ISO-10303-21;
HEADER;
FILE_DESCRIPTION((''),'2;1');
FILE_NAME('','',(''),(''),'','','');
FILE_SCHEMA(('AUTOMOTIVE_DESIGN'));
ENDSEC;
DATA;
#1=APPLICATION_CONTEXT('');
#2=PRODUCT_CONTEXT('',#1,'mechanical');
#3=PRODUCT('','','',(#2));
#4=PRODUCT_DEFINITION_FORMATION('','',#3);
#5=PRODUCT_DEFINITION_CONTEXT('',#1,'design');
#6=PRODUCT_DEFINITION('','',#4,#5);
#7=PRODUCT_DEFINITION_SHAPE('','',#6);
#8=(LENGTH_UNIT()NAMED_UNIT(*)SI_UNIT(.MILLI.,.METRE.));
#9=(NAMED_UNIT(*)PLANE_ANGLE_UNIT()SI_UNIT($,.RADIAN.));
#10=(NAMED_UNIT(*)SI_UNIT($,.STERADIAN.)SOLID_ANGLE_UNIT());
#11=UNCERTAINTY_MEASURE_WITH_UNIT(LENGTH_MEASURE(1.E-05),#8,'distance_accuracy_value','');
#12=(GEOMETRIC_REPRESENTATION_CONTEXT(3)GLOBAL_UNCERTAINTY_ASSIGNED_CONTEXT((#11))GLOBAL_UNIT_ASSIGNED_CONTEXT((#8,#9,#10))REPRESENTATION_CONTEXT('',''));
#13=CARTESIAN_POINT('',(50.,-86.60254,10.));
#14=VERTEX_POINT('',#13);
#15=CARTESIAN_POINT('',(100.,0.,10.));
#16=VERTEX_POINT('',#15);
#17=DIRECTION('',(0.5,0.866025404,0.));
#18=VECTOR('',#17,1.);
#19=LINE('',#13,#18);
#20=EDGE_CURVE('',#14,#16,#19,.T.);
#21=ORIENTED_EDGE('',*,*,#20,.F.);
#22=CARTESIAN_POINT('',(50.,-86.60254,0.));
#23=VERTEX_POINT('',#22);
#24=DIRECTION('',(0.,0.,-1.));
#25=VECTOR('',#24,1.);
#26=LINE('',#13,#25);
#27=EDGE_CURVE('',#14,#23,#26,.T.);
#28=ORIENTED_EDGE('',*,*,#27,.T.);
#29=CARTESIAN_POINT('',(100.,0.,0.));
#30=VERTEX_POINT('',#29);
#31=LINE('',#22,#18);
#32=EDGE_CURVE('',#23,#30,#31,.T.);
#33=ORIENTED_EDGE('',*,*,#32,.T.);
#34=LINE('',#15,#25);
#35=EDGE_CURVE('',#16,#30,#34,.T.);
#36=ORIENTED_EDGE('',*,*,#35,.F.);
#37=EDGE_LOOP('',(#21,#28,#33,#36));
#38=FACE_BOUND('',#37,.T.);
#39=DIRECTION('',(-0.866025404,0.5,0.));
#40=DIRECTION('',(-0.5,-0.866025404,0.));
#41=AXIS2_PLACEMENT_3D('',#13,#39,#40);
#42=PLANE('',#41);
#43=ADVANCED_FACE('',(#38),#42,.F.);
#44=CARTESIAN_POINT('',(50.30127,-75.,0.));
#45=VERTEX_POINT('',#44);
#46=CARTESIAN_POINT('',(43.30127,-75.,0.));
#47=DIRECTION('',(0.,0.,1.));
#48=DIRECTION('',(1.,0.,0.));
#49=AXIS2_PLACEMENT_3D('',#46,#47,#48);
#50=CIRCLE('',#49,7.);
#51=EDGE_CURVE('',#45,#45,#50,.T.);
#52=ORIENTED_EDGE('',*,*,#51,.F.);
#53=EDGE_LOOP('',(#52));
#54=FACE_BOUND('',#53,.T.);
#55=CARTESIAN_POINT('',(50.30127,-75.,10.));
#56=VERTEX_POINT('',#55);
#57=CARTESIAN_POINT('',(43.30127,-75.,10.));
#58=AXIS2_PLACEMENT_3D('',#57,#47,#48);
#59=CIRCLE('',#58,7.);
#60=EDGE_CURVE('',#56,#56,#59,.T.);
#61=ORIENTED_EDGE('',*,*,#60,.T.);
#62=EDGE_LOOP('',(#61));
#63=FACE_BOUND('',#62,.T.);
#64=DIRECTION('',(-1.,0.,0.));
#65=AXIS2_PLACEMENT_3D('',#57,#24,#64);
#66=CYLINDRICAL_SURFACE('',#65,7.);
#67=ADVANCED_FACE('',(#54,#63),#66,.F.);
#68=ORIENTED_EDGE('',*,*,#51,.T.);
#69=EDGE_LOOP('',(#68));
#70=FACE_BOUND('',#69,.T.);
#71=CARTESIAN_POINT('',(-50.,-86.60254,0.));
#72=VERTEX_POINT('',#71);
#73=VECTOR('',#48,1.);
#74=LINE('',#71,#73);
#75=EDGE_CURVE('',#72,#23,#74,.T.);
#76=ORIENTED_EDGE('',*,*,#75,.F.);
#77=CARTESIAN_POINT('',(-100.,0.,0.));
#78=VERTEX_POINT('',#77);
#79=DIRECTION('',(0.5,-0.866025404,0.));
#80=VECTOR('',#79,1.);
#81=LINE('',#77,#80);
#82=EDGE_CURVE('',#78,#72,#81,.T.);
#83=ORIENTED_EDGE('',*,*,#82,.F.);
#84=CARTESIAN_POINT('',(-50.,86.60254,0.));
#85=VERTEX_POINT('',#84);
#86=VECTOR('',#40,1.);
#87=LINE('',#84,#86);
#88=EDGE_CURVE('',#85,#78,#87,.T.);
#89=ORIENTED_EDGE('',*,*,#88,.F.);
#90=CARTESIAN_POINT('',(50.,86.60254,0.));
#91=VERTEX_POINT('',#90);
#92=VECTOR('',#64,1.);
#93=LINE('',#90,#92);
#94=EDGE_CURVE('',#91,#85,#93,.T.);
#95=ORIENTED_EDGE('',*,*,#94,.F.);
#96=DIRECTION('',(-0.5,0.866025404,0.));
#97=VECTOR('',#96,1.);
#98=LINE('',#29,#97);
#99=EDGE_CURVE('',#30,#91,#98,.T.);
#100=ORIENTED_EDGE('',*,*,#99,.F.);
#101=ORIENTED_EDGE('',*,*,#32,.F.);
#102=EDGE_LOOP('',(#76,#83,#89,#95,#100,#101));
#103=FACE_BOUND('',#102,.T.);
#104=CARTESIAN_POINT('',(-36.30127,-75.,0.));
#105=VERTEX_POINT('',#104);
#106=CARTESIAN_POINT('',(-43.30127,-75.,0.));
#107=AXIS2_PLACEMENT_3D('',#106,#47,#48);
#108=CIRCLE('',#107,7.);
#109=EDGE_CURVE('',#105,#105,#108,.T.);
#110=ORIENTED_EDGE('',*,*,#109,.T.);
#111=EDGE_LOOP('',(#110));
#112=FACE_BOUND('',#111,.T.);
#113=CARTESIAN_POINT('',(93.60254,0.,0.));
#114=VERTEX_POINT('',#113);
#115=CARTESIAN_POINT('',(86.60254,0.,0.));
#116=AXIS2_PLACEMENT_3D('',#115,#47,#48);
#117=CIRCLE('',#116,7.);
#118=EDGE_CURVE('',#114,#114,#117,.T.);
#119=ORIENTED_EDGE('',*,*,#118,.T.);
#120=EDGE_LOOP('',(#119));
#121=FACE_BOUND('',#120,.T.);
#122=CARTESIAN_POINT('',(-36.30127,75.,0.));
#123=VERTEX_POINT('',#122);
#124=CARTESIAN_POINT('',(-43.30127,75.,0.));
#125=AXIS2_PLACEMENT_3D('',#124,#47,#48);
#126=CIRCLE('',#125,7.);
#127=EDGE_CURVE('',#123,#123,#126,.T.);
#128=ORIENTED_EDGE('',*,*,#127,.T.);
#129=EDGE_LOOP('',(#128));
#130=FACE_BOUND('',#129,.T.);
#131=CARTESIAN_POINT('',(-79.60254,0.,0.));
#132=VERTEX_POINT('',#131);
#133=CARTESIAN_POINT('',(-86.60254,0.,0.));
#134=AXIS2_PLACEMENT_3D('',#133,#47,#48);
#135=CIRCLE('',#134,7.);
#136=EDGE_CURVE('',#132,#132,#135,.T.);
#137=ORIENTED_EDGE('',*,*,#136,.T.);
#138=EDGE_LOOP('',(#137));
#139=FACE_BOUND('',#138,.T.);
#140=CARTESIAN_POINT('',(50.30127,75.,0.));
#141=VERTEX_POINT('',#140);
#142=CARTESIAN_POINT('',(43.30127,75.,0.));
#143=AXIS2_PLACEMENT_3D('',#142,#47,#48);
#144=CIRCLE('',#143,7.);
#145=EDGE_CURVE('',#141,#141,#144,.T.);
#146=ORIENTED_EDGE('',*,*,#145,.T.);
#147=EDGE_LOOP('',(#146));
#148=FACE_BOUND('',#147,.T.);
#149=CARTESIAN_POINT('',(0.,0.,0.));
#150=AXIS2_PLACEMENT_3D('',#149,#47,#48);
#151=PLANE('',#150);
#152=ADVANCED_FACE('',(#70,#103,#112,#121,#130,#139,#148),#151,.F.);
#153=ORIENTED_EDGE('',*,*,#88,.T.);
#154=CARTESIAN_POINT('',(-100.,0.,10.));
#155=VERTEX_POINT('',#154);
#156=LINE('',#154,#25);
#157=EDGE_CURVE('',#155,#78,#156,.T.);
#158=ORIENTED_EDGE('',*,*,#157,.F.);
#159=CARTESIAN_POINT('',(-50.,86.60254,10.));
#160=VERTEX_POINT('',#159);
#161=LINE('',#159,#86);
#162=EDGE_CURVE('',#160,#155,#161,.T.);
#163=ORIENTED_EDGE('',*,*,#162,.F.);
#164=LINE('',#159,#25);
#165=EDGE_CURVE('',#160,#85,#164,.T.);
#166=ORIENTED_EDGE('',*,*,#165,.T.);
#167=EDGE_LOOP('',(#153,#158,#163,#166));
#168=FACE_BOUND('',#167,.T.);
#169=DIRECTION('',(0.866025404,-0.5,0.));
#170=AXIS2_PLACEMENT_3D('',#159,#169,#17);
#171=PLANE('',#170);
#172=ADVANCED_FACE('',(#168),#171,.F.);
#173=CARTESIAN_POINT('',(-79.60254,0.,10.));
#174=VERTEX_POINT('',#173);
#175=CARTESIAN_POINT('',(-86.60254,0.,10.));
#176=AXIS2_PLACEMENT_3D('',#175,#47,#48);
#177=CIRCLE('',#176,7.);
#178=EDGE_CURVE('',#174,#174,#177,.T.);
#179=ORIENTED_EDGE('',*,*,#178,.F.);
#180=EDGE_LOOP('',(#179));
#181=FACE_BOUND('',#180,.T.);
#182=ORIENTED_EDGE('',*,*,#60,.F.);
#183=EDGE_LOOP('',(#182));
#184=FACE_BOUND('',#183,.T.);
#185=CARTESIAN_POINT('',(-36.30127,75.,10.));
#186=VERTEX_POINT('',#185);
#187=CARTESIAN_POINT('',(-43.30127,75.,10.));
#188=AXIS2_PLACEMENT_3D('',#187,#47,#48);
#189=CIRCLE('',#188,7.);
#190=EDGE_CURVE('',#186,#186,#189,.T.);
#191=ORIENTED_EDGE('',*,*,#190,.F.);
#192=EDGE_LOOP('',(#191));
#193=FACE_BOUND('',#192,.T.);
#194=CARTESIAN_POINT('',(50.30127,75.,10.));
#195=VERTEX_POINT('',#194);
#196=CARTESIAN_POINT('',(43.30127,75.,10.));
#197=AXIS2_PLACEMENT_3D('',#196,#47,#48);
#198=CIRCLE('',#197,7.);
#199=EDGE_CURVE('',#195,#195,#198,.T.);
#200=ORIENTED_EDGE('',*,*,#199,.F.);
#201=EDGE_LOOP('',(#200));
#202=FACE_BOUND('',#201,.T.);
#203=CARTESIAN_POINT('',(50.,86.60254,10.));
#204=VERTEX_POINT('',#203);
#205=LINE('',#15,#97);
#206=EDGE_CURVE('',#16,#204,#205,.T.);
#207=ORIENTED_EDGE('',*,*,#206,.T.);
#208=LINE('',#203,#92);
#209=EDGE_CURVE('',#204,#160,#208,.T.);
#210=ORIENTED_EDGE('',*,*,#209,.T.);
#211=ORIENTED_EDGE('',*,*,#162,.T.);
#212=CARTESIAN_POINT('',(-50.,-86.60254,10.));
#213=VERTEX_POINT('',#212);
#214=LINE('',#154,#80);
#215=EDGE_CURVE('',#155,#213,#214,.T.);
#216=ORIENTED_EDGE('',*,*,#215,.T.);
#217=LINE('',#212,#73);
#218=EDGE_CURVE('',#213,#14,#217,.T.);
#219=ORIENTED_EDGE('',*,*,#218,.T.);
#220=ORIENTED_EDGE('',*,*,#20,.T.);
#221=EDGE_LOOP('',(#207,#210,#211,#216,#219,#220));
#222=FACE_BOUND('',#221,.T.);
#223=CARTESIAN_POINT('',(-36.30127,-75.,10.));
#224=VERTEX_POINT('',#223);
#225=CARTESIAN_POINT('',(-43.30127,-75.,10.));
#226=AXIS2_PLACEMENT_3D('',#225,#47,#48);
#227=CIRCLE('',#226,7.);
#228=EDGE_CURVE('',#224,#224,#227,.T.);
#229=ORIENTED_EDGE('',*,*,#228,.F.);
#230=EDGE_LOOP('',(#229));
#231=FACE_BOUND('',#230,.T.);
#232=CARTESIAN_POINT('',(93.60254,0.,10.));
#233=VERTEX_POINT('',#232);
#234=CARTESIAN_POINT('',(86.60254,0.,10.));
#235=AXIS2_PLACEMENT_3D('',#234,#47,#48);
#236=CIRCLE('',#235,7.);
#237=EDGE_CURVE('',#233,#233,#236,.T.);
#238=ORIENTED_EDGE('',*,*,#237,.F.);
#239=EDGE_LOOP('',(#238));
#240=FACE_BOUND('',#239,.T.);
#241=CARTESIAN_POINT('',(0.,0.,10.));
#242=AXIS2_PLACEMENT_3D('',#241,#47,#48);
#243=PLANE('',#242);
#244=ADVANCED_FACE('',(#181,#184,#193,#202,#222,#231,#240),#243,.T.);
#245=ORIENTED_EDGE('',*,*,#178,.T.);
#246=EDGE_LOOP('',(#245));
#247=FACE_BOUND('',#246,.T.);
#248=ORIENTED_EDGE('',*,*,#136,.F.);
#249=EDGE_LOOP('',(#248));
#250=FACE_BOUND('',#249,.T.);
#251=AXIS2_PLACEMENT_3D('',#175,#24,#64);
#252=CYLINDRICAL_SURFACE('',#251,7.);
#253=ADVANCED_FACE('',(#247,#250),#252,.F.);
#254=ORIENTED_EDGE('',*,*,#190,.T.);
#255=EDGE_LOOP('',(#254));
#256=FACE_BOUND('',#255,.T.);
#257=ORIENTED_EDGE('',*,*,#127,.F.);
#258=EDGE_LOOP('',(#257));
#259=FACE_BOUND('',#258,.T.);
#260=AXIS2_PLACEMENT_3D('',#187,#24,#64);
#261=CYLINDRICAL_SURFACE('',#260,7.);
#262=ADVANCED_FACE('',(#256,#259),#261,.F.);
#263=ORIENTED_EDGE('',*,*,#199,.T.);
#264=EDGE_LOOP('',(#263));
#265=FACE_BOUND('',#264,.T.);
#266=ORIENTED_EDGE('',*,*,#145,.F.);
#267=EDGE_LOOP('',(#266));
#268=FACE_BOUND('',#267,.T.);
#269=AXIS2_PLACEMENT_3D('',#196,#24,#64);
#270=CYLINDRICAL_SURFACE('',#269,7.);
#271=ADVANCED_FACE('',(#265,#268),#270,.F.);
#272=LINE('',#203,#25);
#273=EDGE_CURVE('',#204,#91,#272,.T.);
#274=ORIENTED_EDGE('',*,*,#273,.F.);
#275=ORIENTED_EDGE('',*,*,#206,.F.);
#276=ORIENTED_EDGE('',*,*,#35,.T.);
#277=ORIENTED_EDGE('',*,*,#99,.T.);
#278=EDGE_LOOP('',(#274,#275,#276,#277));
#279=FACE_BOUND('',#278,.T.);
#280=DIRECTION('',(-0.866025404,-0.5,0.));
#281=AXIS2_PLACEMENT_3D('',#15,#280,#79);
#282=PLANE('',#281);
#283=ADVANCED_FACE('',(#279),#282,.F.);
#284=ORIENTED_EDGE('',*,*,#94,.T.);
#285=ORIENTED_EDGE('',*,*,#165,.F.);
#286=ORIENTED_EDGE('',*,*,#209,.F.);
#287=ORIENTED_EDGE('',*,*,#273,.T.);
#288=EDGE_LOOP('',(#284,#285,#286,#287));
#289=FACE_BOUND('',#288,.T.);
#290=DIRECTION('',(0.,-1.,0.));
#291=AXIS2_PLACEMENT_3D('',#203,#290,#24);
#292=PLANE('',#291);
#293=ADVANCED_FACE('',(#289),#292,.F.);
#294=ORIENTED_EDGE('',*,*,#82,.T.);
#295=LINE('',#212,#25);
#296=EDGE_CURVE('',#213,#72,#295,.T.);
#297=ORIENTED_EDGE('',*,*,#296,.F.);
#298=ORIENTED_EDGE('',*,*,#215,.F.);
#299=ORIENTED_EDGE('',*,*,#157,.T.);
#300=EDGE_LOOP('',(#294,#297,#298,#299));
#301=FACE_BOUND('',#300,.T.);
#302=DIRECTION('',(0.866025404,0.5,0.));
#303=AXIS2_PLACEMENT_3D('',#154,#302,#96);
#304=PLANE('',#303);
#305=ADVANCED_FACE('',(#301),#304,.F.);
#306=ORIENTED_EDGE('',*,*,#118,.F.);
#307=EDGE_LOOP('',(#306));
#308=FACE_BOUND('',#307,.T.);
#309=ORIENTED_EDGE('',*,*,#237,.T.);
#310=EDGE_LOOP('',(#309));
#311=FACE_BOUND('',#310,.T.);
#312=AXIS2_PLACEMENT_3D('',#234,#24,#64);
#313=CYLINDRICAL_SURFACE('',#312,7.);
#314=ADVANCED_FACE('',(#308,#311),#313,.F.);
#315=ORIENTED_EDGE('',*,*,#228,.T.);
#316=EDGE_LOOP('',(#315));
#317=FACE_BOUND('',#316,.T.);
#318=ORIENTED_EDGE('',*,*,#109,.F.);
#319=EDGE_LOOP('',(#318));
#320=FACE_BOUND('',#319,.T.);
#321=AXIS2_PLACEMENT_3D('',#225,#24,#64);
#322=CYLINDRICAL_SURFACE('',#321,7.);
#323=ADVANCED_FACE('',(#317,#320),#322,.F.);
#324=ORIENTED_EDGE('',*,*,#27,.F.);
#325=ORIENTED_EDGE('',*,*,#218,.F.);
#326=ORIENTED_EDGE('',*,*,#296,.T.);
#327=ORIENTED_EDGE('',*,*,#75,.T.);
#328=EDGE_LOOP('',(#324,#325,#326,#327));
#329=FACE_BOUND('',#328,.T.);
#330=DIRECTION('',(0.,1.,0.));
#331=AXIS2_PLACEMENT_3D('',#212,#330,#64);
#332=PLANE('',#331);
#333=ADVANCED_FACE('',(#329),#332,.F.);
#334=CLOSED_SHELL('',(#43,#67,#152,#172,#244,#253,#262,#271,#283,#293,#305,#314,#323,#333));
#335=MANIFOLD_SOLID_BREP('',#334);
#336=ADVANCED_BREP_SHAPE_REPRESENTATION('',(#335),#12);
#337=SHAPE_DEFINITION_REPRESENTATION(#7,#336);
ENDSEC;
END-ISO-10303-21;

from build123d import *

# Parameters (mm, degrees)
SZKIC1_R                    = 7
DODANIE_WYCI_GNI_CIE1_DEPTH = 10


with BuildPart() as part:
    # Szkic1 → Dodanie-wyciągnięcie1 (new body)
    with BuildSketch(Plane.XY):
        Polygon((50, 86.602540378), (-50, 86.602540378), (-100, 0), (-50, -86.602540378), (50, -86.602540378), (100, 0), align=None)
        with Locations((-43.301270189, 75)):
            Circle(SZKIC1_R, mode=Mode.SUBTRACT)
        with Locations((43.301270189, 75)):
            Circle(SZKIC1_R, mode=Mode.SUBTRACT)
        with Locations((86.602540378, 0)):
            Circle(SZKIC1_R, mode=Mode.SUBTRACT)
        with Locations((43.301270189, -75)):
            Circle(SZKIC1_R, mode=Mode.SUBTRACT)
        with Locations((-43.301270189, -75)):
            Circle(SZKIC1_R, mode=Mode.SUBTRACT)
        with Locations((-86.602540378, 0)):
            Circle(SZKIC1_R, mode=Mode.SUBTRACT)
    extrude(amount=DODANIE_WYCI_GNI_CIE1_DEPTH)


solid = part.part
